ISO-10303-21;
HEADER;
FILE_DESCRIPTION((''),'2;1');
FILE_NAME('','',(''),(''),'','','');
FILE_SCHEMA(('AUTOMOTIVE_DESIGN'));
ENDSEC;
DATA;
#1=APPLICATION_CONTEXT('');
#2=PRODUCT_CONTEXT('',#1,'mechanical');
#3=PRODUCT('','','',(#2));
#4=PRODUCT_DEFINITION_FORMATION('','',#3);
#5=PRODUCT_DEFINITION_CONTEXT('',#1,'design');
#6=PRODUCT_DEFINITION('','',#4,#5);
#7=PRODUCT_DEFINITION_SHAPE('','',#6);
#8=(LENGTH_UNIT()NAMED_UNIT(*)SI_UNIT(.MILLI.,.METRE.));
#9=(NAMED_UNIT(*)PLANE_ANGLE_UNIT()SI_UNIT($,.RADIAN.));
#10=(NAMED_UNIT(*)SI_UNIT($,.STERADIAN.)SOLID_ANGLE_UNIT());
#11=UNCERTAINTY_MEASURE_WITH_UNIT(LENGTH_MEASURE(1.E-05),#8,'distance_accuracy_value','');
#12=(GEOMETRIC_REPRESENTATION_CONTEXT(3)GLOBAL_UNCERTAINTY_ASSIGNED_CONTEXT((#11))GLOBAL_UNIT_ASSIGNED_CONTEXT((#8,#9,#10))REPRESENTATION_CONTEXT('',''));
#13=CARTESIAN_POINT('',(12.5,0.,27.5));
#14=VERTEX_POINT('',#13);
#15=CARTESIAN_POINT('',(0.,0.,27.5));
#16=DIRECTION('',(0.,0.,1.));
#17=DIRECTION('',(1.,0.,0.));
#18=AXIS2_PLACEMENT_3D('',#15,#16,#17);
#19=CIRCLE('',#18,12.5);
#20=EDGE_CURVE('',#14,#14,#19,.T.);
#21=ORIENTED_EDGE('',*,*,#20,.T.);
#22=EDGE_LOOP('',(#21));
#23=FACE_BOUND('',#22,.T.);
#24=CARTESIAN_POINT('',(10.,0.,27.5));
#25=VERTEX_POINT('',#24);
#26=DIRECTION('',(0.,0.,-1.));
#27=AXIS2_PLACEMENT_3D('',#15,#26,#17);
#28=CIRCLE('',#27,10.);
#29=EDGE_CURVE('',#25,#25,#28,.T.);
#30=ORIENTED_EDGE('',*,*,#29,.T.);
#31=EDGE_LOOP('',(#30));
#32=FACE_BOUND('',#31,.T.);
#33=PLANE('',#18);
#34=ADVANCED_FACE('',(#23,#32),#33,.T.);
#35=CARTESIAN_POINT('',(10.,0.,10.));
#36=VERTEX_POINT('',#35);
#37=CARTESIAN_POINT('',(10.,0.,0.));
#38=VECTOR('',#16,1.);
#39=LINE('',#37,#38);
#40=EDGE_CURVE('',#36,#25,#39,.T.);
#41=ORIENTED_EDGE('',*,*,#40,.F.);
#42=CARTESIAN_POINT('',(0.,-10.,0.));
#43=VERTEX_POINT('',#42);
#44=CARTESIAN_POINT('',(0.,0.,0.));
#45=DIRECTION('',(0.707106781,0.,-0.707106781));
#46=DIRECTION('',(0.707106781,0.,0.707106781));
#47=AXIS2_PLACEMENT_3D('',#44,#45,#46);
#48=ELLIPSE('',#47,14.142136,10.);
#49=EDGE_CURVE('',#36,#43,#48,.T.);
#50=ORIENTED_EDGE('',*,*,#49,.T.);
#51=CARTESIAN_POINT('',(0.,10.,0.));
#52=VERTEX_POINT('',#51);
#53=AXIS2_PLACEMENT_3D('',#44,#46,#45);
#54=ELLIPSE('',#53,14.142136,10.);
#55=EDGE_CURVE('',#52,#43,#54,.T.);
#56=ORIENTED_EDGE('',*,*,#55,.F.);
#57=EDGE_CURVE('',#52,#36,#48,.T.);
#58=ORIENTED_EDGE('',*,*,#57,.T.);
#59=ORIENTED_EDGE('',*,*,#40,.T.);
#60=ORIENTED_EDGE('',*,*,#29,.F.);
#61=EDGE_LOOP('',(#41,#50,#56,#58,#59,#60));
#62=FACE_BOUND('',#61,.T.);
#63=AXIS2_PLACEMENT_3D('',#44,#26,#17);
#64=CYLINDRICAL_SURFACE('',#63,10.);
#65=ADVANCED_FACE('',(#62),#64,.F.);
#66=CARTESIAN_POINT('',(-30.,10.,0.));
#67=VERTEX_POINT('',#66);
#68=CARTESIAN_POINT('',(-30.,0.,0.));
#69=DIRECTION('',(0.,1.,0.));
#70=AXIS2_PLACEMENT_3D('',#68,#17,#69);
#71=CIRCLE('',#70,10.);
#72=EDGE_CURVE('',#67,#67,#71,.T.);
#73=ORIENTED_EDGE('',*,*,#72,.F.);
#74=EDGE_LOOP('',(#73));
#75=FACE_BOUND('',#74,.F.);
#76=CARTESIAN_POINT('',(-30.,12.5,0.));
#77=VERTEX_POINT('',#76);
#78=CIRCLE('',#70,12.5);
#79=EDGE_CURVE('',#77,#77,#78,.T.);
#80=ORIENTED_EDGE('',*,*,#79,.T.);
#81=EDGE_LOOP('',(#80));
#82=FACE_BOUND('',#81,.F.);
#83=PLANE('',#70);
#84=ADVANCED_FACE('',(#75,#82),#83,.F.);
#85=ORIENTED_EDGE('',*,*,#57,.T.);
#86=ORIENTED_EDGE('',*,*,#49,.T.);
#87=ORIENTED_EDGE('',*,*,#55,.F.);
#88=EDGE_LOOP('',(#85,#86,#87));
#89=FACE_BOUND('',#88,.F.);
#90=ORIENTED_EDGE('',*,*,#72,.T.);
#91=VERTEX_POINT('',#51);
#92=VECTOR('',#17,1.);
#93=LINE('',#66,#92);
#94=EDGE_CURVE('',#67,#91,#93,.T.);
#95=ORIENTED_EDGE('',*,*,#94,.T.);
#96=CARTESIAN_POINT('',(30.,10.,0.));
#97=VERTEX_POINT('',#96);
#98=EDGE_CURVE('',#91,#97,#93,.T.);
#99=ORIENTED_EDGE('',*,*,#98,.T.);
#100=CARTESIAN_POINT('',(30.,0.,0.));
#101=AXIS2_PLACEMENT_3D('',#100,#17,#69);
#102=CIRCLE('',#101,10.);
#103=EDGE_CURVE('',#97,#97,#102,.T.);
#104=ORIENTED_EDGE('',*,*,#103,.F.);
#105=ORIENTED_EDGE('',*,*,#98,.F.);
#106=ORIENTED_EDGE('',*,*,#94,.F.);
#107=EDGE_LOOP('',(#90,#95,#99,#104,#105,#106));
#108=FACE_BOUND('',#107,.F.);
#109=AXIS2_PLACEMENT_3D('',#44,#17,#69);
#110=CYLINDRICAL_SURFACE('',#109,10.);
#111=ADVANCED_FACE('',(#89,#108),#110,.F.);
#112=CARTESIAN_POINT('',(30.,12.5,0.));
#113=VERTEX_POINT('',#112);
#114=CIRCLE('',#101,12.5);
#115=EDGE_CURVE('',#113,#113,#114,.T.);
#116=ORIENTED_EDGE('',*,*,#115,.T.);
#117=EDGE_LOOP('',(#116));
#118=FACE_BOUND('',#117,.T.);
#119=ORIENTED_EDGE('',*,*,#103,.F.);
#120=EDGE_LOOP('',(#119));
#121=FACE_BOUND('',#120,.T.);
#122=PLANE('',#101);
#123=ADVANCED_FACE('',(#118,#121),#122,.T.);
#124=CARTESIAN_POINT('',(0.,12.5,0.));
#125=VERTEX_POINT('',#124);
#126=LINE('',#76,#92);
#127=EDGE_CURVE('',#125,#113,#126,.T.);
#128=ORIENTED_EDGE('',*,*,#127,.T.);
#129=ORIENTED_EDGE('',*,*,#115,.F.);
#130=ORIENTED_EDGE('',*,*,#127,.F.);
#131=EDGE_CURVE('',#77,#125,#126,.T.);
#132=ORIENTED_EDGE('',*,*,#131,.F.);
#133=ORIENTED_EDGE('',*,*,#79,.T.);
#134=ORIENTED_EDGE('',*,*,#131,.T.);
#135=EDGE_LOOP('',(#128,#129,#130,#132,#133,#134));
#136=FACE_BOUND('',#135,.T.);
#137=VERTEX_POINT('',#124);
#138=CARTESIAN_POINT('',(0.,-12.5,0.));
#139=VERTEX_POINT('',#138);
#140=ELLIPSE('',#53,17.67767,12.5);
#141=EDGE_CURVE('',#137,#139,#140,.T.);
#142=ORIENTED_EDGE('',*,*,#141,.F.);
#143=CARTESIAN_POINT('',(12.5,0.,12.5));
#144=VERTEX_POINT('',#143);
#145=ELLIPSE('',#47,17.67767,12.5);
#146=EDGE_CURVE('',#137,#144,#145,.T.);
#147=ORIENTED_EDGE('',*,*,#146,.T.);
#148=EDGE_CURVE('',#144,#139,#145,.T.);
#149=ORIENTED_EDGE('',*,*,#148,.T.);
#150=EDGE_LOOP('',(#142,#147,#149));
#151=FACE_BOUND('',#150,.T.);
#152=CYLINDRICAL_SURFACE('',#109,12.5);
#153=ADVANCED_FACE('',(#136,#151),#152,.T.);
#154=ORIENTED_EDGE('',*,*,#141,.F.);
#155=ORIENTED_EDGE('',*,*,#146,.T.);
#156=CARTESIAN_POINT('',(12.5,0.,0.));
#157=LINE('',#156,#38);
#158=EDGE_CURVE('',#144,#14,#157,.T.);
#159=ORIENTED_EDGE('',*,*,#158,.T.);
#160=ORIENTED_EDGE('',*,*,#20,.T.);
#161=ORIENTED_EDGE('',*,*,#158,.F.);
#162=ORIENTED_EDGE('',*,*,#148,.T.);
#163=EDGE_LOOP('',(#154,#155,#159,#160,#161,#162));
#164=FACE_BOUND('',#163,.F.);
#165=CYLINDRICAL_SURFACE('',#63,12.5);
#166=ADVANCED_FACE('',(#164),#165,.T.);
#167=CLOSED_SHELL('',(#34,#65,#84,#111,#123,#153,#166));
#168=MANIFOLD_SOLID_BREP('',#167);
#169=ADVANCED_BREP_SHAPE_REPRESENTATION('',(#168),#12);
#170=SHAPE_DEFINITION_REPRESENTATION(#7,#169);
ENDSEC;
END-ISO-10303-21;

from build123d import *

# Parameters (mm, degrees)
F0_R     = 12.5
F1_DEPTH = 30
F2_R     = 12.5
F3_DEPTH = 27.5
F4_R     = 10
F5_DEPTH = 30
F6_R     = 10
F7_DEPTH = 45


with BuildPart() as f1:
    # F0 (on Right) → F1 (new body, symmetric)
    with BuildSketch(Plane.YZ):
        Circle(F0_R)
    extrude(amount=F1_DEPTH, both=True)

    # F2 (on Top) → F3 (join)
    with BuildSketch(Plane.XY):
        Circle(F2_R)
    extrude(amount=F3_DEPTH)

    # F4 (on Right) → F5 (cut, symmetric)
    with BuildSketch(Plane.YZ):
        Circle(F4_R)
    extrude(amount=F5_DEPTH, both=True, mode=Mode.SUBTRACT)

    # F6 (on Top) → F7 (cut)
    with BuildSketch(Plane.XY):
        Circle(F6_R)
    extrude(amount=F7_DEPTH, mode=Mode.SUBTRACT)


solid = f1.part
